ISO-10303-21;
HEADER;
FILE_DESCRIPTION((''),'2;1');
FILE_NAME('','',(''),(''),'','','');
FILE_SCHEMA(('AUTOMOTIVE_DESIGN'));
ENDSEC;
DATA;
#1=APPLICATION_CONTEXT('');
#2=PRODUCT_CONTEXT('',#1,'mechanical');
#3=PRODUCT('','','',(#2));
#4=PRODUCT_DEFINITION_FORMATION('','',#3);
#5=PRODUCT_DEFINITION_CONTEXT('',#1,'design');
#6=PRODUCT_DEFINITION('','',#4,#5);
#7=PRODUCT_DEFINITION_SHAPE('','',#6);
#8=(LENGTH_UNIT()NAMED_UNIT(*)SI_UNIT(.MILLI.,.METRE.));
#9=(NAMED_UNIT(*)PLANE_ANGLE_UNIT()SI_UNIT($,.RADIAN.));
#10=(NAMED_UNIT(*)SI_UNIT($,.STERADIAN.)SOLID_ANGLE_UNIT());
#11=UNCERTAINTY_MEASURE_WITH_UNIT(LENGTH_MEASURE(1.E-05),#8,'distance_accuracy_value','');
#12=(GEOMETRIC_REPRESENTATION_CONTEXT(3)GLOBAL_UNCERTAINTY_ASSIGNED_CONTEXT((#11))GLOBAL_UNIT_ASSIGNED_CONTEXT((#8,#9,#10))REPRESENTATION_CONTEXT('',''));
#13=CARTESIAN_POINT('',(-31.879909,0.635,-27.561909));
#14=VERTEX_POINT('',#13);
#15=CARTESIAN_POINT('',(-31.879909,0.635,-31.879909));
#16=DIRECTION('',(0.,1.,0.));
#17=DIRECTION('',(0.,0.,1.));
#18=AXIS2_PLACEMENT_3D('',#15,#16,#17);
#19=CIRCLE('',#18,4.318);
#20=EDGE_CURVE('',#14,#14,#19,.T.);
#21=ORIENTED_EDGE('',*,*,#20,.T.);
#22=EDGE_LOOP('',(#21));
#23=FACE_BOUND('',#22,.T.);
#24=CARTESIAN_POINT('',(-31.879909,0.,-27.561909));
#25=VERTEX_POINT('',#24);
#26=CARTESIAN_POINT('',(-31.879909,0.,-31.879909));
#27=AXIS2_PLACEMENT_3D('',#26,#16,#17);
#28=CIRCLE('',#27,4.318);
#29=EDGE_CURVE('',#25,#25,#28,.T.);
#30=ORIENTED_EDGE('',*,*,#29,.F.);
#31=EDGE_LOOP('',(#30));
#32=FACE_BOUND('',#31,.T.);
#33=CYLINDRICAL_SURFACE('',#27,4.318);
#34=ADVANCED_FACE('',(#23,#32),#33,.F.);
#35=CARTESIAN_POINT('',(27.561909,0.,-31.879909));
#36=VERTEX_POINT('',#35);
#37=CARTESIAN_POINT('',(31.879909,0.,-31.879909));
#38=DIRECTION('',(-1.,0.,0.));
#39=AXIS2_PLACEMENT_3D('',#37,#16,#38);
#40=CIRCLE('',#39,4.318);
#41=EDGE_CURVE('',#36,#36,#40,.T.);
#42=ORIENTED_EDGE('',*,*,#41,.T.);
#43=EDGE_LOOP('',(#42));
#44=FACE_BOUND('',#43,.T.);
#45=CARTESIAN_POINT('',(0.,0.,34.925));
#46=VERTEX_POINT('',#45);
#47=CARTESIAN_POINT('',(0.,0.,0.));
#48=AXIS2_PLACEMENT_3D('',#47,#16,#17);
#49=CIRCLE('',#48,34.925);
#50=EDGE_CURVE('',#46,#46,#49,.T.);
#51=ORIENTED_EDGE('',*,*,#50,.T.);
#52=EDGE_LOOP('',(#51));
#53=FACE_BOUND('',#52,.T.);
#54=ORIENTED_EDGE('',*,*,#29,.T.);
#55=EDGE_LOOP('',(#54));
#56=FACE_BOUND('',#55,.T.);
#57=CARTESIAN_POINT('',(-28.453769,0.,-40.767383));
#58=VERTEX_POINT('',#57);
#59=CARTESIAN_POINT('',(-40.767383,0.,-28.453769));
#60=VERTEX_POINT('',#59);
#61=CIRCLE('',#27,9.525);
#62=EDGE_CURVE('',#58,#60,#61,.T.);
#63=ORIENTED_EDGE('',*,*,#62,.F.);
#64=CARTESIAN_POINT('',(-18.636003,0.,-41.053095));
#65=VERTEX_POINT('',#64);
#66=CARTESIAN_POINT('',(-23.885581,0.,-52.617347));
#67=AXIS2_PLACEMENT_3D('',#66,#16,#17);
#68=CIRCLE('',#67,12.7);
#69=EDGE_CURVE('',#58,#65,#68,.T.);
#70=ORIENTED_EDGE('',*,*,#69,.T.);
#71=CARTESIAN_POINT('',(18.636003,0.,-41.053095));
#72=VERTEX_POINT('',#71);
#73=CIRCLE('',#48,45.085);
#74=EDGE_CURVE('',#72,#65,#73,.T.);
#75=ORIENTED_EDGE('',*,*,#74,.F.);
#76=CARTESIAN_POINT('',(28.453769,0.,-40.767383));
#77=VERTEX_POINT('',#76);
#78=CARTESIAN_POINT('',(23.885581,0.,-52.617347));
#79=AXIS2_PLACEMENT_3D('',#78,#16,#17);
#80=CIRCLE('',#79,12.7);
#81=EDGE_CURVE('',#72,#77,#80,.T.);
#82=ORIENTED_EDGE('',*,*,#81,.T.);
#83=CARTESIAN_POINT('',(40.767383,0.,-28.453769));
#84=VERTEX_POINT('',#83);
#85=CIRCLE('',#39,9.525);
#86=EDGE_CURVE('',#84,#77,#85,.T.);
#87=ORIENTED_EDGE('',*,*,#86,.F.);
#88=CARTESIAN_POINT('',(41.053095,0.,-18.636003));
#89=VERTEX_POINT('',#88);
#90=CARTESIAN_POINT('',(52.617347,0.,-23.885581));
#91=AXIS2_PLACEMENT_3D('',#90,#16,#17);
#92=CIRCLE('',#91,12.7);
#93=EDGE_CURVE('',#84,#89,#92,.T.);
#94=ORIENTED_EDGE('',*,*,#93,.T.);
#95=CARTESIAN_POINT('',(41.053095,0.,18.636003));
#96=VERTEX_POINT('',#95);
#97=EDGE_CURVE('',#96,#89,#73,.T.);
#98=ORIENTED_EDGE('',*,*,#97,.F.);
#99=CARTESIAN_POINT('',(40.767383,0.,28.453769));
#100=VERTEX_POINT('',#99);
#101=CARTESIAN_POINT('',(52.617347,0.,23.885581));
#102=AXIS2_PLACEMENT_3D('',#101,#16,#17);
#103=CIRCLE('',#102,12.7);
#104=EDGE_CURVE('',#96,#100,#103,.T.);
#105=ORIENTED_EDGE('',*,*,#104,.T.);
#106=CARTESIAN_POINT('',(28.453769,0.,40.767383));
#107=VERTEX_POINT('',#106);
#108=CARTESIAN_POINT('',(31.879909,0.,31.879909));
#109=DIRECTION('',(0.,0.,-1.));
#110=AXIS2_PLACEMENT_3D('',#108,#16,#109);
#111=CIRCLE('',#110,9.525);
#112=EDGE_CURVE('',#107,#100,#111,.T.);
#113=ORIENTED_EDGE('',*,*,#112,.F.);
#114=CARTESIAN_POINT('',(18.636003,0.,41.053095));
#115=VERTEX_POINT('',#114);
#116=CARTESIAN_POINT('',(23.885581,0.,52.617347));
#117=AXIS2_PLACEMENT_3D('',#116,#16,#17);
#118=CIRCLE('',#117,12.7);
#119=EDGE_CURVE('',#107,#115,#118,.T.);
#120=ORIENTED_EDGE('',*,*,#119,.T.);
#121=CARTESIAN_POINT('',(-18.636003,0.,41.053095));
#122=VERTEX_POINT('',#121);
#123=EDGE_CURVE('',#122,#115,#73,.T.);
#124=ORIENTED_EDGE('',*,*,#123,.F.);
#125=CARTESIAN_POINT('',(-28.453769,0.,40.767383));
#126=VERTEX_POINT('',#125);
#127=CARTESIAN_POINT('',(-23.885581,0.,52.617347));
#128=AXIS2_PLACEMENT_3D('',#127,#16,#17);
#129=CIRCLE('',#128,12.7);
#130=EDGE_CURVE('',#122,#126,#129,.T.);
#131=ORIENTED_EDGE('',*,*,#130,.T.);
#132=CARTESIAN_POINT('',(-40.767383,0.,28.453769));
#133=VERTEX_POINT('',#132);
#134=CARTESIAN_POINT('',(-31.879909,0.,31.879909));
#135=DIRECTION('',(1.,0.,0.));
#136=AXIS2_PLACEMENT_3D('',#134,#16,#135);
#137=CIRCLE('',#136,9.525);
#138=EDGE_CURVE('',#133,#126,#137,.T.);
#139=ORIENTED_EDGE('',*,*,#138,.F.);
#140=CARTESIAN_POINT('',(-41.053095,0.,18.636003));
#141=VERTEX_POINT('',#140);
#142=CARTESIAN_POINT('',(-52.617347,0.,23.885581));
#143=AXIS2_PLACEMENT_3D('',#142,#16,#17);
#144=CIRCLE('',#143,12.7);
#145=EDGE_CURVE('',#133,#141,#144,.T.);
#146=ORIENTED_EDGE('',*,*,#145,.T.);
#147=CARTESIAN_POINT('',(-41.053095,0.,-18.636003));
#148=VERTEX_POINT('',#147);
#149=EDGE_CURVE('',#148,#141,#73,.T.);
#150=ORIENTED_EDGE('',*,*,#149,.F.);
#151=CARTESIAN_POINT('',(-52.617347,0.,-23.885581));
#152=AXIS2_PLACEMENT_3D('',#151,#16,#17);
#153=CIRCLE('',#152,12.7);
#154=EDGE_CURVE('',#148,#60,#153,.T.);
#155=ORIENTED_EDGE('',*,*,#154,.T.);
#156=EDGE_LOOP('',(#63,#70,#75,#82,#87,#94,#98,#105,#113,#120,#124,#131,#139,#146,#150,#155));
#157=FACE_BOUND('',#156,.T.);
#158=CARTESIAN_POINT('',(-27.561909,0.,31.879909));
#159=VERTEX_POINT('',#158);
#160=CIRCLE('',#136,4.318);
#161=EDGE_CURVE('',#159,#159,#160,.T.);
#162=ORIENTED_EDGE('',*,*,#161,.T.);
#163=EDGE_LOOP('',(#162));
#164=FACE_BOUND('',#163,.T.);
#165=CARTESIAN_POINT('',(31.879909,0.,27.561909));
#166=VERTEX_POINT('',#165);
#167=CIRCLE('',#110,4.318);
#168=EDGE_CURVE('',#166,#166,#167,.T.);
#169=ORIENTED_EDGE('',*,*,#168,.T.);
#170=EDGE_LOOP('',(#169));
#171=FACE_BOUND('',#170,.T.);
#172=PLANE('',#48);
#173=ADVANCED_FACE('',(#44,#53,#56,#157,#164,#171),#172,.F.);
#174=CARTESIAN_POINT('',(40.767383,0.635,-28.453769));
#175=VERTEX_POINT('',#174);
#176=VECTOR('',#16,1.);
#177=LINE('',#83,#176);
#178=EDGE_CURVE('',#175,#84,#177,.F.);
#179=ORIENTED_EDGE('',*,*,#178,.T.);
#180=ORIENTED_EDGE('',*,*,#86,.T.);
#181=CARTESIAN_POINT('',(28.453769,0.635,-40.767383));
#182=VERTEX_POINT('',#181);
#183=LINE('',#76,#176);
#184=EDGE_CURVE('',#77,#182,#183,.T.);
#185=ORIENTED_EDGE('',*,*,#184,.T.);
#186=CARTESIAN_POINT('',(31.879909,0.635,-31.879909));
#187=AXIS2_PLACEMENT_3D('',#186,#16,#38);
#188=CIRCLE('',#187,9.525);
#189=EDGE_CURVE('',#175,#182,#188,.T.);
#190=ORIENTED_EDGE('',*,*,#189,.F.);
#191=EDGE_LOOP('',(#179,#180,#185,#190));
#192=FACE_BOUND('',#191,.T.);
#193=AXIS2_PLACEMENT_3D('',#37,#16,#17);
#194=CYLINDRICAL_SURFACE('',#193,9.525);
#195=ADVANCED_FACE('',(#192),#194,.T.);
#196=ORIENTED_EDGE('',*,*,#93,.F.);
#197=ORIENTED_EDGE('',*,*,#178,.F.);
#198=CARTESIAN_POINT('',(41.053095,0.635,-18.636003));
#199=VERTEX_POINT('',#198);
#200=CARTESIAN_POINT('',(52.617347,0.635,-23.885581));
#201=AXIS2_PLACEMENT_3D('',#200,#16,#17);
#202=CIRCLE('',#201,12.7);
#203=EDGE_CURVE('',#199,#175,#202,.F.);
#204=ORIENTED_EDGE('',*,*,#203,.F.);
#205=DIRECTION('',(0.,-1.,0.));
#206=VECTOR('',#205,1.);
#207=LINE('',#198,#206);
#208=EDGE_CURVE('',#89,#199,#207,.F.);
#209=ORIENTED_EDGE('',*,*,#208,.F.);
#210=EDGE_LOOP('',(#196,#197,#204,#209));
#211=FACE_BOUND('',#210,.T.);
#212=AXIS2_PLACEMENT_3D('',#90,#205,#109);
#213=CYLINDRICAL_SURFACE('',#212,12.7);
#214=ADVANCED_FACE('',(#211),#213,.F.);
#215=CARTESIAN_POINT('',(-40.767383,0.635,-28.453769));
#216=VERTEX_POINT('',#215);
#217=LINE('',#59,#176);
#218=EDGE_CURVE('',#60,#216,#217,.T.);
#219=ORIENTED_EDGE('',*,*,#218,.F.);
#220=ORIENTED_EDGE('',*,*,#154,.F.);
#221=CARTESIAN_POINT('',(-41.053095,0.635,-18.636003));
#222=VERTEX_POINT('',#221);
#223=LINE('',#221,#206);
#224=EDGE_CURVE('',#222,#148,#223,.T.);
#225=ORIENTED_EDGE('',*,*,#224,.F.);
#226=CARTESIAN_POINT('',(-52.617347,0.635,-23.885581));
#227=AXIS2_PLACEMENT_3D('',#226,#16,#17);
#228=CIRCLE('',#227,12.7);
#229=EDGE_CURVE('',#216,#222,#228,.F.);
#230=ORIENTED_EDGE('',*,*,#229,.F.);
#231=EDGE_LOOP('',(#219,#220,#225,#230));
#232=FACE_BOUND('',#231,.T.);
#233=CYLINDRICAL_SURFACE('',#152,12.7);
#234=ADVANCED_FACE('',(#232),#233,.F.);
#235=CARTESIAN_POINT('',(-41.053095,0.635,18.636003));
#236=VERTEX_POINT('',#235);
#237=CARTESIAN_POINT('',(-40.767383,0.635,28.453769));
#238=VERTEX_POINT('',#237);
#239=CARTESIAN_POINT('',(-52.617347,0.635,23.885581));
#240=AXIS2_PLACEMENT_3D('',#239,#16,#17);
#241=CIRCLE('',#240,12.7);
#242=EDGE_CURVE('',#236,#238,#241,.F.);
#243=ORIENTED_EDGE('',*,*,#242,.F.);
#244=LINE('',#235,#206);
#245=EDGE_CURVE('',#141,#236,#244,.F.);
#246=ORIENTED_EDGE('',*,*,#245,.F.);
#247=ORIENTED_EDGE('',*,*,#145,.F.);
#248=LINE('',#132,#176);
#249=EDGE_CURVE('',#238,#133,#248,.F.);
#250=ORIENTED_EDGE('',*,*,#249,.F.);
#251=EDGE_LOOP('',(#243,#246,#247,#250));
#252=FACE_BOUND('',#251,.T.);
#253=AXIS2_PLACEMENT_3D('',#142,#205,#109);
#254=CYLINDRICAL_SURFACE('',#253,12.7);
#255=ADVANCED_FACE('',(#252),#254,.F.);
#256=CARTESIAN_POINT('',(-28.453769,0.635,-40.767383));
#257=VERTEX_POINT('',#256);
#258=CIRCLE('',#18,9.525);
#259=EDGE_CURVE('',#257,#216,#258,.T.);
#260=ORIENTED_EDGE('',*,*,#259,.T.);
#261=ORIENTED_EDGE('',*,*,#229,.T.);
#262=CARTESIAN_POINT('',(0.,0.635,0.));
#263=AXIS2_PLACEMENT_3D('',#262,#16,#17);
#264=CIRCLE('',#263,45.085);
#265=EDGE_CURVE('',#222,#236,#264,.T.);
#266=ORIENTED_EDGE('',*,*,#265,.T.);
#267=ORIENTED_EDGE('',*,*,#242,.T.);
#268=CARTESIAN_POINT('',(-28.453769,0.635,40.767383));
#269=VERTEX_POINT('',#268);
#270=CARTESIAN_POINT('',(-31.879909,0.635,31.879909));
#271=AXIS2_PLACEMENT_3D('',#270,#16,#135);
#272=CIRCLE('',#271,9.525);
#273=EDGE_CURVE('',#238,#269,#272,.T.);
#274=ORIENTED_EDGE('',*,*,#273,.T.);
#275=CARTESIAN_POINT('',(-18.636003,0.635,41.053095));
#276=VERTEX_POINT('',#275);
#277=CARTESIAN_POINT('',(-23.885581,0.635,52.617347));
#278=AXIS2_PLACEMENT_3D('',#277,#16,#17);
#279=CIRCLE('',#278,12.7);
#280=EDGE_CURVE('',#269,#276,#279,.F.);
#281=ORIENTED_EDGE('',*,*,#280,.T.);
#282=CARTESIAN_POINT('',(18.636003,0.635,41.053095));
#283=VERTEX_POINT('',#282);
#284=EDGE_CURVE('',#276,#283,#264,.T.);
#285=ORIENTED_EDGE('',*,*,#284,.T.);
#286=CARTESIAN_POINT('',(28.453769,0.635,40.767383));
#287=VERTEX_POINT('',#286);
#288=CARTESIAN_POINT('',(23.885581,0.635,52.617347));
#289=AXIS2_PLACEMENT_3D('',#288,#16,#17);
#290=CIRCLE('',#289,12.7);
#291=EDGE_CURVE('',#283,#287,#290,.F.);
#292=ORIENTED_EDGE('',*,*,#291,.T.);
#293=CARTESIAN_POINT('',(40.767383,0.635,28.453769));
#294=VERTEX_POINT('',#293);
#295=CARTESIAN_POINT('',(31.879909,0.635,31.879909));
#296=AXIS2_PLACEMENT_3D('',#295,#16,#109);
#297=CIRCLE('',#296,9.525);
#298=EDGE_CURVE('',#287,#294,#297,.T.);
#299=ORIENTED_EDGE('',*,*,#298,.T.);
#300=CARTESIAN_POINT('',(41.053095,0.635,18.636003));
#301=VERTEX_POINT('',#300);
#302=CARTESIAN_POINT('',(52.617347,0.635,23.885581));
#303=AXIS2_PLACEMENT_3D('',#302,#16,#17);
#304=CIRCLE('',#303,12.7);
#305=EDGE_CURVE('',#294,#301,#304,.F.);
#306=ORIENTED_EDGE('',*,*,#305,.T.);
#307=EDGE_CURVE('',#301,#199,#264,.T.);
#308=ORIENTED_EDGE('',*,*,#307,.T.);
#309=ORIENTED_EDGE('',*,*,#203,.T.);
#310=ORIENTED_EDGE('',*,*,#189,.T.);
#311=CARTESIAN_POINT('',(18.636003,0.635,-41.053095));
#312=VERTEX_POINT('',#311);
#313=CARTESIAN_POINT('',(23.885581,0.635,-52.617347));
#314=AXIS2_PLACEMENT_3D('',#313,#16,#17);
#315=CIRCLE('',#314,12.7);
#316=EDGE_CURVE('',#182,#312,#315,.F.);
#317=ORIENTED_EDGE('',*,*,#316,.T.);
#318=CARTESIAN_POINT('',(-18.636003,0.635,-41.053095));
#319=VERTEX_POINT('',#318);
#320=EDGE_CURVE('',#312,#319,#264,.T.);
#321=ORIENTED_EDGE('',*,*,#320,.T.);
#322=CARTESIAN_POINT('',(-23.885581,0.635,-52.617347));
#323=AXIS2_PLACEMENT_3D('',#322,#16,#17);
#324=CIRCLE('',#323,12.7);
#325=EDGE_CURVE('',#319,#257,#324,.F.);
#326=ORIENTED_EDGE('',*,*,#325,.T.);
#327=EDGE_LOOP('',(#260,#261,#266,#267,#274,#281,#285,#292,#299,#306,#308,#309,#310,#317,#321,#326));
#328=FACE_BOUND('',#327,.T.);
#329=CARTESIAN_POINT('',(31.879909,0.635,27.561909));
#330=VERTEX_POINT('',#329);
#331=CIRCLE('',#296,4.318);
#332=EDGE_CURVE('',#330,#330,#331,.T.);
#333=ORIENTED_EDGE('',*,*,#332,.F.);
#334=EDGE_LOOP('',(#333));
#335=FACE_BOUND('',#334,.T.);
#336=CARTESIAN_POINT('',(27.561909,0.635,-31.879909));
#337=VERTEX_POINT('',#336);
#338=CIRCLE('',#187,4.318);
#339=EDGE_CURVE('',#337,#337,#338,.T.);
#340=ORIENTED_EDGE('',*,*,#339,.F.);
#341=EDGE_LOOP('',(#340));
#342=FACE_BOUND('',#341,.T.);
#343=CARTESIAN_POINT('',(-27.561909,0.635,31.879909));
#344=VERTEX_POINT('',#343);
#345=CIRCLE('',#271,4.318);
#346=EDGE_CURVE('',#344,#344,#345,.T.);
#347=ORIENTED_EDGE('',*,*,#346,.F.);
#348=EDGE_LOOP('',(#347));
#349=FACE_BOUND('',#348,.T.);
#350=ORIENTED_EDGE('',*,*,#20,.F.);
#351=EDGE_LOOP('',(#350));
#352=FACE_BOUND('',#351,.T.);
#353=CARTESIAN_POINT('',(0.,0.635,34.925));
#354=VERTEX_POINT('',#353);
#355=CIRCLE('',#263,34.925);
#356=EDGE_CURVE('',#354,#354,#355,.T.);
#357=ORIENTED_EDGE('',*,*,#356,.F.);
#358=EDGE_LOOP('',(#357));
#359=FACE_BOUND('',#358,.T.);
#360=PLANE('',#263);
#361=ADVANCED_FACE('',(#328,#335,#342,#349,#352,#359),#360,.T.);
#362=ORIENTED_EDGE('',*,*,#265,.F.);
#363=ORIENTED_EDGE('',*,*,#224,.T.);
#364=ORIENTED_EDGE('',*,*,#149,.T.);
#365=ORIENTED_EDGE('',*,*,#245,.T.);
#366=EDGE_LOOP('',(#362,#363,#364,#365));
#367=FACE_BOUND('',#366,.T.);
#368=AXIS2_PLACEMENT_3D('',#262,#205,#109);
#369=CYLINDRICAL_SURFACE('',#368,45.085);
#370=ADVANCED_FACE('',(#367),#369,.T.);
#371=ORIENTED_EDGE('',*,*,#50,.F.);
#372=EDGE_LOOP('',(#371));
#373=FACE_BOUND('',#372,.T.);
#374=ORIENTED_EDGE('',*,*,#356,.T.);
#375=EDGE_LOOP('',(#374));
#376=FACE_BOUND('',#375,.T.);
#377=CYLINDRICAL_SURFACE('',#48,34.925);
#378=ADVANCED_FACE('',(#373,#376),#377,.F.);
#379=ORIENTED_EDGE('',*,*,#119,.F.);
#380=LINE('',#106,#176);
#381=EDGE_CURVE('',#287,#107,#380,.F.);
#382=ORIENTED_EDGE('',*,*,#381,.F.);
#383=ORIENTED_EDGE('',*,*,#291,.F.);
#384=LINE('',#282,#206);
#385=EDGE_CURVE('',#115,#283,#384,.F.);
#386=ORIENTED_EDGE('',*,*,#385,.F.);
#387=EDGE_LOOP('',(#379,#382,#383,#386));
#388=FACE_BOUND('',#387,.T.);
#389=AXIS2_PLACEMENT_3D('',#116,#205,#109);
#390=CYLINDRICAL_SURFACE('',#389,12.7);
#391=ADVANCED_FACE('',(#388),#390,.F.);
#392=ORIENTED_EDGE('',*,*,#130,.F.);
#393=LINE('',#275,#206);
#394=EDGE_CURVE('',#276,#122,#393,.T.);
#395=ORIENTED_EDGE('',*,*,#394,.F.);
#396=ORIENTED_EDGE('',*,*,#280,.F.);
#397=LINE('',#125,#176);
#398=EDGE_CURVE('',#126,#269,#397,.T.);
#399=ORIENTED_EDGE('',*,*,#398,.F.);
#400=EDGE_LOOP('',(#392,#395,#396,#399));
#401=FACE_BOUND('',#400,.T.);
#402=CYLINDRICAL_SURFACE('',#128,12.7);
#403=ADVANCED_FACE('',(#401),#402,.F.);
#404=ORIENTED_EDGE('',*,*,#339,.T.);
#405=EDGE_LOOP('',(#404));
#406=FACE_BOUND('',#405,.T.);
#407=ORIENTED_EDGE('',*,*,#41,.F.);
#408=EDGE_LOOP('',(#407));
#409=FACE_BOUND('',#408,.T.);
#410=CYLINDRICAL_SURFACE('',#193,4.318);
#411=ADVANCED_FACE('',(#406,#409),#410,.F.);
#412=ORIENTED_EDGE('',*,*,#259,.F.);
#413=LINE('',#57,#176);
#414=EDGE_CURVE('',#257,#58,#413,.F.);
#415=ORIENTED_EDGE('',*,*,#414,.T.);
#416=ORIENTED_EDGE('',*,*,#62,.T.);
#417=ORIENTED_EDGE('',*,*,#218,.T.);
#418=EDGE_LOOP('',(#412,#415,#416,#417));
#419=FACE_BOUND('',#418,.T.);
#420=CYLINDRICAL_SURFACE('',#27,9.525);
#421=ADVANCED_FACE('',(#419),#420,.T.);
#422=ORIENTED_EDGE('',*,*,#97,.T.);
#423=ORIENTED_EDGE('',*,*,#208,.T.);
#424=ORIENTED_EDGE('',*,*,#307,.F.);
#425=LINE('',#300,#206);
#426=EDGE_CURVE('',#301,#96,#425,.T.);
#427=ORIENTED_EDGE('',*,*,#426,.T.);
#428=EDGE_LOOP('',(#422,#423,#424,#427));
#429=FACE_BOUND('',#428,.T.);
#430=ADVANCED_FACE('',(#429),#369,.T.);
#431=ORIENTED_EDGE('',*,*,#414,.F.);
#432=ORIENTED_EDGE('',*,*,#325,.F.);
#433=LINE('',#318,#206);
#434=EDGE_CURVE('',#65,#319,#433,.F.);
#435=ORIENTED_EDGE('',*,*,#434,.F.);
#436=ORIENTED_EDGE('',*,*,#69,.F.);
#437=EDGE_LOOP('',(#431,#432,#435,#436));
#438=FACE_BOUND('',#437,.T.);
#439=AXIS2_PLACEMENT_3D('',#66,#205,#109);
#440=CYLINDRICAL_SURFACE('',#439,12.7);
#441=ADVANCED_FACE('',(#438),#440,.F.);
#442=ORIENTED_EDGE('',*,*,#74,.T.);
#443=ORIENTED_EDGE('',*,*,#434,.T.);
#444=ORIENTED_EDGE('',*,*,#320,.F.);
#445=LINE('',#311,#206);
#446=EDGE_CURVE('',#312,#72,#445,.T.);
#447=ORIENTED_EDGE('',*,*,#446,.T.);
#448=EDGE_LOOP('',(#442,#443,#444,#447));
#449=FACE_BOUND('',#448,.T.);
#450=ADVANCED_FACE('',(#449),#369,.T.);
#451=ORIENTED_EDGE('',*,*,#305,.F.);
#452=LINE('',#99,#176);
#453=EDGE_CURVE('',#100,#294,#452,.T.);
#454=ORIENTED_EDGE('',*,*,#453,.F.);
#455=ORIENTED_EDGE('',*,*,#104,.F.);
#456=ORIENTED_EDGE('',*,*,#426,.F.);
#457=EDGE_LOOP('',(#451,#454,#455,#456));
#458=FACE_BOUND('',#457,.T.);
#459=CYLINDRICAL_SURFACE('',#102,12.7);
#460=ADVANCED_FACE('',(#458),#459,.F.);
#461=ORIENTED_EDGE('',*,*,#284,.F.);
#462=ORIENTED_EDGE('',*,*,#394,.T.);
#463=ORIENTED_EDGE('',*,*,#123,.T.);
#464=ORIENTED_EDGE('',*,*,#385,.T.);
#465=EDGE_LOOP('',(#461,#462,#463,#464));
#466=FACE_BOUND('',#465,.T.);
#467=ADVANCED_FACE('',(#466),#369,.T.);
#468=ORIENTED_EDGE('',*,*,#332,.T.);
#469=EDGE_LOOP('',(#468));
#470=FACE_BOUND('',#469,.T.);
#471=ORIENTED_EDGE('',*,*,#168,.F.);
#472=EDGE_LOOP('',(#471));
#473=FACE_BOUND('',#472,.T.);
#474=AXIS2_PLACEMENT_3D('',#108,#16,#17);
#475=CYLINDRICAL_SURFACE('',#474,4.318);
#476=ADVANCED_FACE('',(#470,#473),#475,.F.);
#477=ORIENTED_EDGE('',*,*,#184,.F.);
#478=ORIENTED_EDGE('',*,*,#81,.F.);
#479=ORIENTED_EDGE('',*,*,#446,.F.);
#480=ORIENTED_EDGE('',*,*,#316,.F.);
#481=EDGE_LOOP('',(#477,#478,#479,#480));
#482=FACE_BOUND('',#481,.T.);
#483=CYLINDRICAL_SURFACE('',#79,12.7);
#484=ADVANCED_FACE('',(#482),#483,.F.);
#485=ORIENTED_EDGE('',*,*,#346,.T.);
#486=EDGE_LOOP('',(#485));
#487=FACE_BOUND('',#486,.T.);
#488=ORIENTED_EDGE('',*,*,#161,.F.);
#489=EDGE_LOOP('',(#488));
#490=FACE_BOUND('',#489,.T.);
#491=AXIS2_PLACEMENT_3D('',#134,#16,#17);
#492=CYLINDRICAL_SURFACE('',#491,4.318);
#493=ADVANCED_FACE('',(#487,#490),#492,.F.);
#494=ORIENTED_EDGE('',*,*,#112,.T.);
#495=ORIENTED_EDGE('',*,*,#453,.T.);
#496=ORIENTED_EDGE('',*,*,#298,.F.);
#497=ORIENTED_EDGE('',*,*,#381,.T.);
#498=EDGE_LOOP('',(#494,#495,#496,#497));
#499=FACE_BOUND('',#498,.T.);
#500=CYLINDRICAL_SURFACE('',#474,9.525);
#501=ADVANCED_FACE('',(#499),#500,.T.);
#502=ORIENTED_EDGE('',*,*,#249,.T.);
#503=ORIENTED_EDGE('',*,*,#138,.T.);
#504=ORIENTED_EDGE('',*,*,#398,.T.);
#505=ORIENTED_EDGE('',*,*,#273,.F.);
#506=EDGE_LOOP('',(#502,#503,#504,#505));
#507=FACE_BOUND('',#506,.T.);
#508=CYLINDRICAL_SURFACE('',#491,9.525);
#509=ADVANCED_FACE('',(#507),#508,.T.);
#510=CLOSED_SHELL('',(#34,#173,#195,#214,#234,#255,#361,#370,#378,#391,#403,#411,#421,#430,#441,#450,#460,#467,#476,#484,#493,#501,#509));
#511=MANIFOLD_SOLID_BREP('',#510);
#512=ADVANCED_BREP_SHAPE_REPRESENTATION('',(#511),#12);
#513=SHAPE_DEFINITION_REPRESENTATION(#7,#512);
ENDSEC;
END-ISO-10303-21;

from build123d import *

# Parameters (mm, degrees)
SKETCH1_R                = 45.085
BASE_EXTRUDE_DEPTH       = 0.635
SKETCH2_R                = 34.925
BASE_CUT_DEPTH           = 64.762980443
SKETCH3_R                = 9.525
CORNER_EXTRUDE_DEPTH     = 0.635
SKETCH4_R                = 4.318
CORNER_CUT_DEPTH         = 64.762980443
FILLET_2_R               = 12.7
CIRPATTERN_COUNT         = 4
FILLET_2_OF_CIRPATTERN_R = 12.7


with BuildPart() as part:
    # Sketch1 → Base Extrude (new body)
    with BuildSketch(Plane(origin=(0, 0, 0), x_dir=(1, 0, 0), z_dir=(0, 1, 0))):
        with Locations(Location((0, 0, 0), (0, 0, 270))):
            Circle(SKETCH1_R)
    extrude(amount=BASE_EXTRUDE_DEPTH)

    # Sketch2 → Base Cut (cut, through all)
    with BuildSketch(Plane(origin=(0, 0.635, 0), x_dir=(1, 0, 0), z_dir=(0, 1, 0))):
        with Locations(Location((0, 0, 0), (0, 0, 270))):
            Circle(SKETCH2_R)
    extrude(amount=-BASE_CUT_DEPTH, mode=Mode.SUBTRACT)

    # Sketch3 → Corner Extrude (add)
    with BuildSketch(Plane(origin=(0, 0.635, 0), x_dir=(1, 0, 0), z_dir=(0, 1, 0))):
        with Locations((-31.87990923, 31.87990923)):
            Circle(SKETCH3_R)
    corner_extrude = extrude(amount=-CORNER_EXTRUDE_DEPTH)

    # Sketch4 → Corner Cut (cut, through all)
    with BuildSketch(Plane(origin=(0, 0.635, 0), x_dir=(1, 0, 0), z_dir=(0, 1, 0))):
        with Locations(Location((-31.87990923, 31.87990923, 0), (0, 0, 270))):
            Circle(SKETCH4_R)
    corner_cut = extrude(amount=-CORNER_CUT_DEPTH, mode=Mode.SUBTRACT)

    # Fillet 2
    fillet_2_edges = [part.edges().sort_by_distance(p)[0] for p in [
        (-24.470935923, 0.3175, -37.86595463),
        (-37.86595463, 0.3175, -24.470935923),
    ]]
    fillet(fillet_2_edges, radius=FILLET_2_R)

    # CirPattern: Corner Extrude, Corner Cut ×4 about axis
    cirpattern_axis = Axis((0, 0, 0), (0, 1, 0))
    add([corner_extrude.rotate(cirpattern_axis, i * 360 / CIRPATTERN_COUNT) for i in range(1, CIRPATTERN_COUNT)])
    add([corner_cut.rotate(cirpattern_axis, i * 360 / CIRPATTERN_COUNT) for i in range(1, CIRPATTERN_COUNT)], mode=Mode.SUBTRACT)

    # Fillet 2 of CirPattern
    fillet_2_of_cirpattern_edges = [part.edges().sort_by_distance(p)[0] for p in [
        (-37.86595463, 0.3175, 24.470935923),
        (-24.470935923, 0.3175, 37.86595463),
        (24.470935923, 0.3175, 37.86595463),
        (37.86595463, 0.3175, 24.470935923),
        (37.86595463, 0.3175, -24.470935923),
        (24.470935923, 0.3175, -37.86595463),
    ]]
    fillet(fillet_2_of_cirpattern_edges, radius=FILLET_2_OF_CIRPATTERN_R)


solid = part.part
